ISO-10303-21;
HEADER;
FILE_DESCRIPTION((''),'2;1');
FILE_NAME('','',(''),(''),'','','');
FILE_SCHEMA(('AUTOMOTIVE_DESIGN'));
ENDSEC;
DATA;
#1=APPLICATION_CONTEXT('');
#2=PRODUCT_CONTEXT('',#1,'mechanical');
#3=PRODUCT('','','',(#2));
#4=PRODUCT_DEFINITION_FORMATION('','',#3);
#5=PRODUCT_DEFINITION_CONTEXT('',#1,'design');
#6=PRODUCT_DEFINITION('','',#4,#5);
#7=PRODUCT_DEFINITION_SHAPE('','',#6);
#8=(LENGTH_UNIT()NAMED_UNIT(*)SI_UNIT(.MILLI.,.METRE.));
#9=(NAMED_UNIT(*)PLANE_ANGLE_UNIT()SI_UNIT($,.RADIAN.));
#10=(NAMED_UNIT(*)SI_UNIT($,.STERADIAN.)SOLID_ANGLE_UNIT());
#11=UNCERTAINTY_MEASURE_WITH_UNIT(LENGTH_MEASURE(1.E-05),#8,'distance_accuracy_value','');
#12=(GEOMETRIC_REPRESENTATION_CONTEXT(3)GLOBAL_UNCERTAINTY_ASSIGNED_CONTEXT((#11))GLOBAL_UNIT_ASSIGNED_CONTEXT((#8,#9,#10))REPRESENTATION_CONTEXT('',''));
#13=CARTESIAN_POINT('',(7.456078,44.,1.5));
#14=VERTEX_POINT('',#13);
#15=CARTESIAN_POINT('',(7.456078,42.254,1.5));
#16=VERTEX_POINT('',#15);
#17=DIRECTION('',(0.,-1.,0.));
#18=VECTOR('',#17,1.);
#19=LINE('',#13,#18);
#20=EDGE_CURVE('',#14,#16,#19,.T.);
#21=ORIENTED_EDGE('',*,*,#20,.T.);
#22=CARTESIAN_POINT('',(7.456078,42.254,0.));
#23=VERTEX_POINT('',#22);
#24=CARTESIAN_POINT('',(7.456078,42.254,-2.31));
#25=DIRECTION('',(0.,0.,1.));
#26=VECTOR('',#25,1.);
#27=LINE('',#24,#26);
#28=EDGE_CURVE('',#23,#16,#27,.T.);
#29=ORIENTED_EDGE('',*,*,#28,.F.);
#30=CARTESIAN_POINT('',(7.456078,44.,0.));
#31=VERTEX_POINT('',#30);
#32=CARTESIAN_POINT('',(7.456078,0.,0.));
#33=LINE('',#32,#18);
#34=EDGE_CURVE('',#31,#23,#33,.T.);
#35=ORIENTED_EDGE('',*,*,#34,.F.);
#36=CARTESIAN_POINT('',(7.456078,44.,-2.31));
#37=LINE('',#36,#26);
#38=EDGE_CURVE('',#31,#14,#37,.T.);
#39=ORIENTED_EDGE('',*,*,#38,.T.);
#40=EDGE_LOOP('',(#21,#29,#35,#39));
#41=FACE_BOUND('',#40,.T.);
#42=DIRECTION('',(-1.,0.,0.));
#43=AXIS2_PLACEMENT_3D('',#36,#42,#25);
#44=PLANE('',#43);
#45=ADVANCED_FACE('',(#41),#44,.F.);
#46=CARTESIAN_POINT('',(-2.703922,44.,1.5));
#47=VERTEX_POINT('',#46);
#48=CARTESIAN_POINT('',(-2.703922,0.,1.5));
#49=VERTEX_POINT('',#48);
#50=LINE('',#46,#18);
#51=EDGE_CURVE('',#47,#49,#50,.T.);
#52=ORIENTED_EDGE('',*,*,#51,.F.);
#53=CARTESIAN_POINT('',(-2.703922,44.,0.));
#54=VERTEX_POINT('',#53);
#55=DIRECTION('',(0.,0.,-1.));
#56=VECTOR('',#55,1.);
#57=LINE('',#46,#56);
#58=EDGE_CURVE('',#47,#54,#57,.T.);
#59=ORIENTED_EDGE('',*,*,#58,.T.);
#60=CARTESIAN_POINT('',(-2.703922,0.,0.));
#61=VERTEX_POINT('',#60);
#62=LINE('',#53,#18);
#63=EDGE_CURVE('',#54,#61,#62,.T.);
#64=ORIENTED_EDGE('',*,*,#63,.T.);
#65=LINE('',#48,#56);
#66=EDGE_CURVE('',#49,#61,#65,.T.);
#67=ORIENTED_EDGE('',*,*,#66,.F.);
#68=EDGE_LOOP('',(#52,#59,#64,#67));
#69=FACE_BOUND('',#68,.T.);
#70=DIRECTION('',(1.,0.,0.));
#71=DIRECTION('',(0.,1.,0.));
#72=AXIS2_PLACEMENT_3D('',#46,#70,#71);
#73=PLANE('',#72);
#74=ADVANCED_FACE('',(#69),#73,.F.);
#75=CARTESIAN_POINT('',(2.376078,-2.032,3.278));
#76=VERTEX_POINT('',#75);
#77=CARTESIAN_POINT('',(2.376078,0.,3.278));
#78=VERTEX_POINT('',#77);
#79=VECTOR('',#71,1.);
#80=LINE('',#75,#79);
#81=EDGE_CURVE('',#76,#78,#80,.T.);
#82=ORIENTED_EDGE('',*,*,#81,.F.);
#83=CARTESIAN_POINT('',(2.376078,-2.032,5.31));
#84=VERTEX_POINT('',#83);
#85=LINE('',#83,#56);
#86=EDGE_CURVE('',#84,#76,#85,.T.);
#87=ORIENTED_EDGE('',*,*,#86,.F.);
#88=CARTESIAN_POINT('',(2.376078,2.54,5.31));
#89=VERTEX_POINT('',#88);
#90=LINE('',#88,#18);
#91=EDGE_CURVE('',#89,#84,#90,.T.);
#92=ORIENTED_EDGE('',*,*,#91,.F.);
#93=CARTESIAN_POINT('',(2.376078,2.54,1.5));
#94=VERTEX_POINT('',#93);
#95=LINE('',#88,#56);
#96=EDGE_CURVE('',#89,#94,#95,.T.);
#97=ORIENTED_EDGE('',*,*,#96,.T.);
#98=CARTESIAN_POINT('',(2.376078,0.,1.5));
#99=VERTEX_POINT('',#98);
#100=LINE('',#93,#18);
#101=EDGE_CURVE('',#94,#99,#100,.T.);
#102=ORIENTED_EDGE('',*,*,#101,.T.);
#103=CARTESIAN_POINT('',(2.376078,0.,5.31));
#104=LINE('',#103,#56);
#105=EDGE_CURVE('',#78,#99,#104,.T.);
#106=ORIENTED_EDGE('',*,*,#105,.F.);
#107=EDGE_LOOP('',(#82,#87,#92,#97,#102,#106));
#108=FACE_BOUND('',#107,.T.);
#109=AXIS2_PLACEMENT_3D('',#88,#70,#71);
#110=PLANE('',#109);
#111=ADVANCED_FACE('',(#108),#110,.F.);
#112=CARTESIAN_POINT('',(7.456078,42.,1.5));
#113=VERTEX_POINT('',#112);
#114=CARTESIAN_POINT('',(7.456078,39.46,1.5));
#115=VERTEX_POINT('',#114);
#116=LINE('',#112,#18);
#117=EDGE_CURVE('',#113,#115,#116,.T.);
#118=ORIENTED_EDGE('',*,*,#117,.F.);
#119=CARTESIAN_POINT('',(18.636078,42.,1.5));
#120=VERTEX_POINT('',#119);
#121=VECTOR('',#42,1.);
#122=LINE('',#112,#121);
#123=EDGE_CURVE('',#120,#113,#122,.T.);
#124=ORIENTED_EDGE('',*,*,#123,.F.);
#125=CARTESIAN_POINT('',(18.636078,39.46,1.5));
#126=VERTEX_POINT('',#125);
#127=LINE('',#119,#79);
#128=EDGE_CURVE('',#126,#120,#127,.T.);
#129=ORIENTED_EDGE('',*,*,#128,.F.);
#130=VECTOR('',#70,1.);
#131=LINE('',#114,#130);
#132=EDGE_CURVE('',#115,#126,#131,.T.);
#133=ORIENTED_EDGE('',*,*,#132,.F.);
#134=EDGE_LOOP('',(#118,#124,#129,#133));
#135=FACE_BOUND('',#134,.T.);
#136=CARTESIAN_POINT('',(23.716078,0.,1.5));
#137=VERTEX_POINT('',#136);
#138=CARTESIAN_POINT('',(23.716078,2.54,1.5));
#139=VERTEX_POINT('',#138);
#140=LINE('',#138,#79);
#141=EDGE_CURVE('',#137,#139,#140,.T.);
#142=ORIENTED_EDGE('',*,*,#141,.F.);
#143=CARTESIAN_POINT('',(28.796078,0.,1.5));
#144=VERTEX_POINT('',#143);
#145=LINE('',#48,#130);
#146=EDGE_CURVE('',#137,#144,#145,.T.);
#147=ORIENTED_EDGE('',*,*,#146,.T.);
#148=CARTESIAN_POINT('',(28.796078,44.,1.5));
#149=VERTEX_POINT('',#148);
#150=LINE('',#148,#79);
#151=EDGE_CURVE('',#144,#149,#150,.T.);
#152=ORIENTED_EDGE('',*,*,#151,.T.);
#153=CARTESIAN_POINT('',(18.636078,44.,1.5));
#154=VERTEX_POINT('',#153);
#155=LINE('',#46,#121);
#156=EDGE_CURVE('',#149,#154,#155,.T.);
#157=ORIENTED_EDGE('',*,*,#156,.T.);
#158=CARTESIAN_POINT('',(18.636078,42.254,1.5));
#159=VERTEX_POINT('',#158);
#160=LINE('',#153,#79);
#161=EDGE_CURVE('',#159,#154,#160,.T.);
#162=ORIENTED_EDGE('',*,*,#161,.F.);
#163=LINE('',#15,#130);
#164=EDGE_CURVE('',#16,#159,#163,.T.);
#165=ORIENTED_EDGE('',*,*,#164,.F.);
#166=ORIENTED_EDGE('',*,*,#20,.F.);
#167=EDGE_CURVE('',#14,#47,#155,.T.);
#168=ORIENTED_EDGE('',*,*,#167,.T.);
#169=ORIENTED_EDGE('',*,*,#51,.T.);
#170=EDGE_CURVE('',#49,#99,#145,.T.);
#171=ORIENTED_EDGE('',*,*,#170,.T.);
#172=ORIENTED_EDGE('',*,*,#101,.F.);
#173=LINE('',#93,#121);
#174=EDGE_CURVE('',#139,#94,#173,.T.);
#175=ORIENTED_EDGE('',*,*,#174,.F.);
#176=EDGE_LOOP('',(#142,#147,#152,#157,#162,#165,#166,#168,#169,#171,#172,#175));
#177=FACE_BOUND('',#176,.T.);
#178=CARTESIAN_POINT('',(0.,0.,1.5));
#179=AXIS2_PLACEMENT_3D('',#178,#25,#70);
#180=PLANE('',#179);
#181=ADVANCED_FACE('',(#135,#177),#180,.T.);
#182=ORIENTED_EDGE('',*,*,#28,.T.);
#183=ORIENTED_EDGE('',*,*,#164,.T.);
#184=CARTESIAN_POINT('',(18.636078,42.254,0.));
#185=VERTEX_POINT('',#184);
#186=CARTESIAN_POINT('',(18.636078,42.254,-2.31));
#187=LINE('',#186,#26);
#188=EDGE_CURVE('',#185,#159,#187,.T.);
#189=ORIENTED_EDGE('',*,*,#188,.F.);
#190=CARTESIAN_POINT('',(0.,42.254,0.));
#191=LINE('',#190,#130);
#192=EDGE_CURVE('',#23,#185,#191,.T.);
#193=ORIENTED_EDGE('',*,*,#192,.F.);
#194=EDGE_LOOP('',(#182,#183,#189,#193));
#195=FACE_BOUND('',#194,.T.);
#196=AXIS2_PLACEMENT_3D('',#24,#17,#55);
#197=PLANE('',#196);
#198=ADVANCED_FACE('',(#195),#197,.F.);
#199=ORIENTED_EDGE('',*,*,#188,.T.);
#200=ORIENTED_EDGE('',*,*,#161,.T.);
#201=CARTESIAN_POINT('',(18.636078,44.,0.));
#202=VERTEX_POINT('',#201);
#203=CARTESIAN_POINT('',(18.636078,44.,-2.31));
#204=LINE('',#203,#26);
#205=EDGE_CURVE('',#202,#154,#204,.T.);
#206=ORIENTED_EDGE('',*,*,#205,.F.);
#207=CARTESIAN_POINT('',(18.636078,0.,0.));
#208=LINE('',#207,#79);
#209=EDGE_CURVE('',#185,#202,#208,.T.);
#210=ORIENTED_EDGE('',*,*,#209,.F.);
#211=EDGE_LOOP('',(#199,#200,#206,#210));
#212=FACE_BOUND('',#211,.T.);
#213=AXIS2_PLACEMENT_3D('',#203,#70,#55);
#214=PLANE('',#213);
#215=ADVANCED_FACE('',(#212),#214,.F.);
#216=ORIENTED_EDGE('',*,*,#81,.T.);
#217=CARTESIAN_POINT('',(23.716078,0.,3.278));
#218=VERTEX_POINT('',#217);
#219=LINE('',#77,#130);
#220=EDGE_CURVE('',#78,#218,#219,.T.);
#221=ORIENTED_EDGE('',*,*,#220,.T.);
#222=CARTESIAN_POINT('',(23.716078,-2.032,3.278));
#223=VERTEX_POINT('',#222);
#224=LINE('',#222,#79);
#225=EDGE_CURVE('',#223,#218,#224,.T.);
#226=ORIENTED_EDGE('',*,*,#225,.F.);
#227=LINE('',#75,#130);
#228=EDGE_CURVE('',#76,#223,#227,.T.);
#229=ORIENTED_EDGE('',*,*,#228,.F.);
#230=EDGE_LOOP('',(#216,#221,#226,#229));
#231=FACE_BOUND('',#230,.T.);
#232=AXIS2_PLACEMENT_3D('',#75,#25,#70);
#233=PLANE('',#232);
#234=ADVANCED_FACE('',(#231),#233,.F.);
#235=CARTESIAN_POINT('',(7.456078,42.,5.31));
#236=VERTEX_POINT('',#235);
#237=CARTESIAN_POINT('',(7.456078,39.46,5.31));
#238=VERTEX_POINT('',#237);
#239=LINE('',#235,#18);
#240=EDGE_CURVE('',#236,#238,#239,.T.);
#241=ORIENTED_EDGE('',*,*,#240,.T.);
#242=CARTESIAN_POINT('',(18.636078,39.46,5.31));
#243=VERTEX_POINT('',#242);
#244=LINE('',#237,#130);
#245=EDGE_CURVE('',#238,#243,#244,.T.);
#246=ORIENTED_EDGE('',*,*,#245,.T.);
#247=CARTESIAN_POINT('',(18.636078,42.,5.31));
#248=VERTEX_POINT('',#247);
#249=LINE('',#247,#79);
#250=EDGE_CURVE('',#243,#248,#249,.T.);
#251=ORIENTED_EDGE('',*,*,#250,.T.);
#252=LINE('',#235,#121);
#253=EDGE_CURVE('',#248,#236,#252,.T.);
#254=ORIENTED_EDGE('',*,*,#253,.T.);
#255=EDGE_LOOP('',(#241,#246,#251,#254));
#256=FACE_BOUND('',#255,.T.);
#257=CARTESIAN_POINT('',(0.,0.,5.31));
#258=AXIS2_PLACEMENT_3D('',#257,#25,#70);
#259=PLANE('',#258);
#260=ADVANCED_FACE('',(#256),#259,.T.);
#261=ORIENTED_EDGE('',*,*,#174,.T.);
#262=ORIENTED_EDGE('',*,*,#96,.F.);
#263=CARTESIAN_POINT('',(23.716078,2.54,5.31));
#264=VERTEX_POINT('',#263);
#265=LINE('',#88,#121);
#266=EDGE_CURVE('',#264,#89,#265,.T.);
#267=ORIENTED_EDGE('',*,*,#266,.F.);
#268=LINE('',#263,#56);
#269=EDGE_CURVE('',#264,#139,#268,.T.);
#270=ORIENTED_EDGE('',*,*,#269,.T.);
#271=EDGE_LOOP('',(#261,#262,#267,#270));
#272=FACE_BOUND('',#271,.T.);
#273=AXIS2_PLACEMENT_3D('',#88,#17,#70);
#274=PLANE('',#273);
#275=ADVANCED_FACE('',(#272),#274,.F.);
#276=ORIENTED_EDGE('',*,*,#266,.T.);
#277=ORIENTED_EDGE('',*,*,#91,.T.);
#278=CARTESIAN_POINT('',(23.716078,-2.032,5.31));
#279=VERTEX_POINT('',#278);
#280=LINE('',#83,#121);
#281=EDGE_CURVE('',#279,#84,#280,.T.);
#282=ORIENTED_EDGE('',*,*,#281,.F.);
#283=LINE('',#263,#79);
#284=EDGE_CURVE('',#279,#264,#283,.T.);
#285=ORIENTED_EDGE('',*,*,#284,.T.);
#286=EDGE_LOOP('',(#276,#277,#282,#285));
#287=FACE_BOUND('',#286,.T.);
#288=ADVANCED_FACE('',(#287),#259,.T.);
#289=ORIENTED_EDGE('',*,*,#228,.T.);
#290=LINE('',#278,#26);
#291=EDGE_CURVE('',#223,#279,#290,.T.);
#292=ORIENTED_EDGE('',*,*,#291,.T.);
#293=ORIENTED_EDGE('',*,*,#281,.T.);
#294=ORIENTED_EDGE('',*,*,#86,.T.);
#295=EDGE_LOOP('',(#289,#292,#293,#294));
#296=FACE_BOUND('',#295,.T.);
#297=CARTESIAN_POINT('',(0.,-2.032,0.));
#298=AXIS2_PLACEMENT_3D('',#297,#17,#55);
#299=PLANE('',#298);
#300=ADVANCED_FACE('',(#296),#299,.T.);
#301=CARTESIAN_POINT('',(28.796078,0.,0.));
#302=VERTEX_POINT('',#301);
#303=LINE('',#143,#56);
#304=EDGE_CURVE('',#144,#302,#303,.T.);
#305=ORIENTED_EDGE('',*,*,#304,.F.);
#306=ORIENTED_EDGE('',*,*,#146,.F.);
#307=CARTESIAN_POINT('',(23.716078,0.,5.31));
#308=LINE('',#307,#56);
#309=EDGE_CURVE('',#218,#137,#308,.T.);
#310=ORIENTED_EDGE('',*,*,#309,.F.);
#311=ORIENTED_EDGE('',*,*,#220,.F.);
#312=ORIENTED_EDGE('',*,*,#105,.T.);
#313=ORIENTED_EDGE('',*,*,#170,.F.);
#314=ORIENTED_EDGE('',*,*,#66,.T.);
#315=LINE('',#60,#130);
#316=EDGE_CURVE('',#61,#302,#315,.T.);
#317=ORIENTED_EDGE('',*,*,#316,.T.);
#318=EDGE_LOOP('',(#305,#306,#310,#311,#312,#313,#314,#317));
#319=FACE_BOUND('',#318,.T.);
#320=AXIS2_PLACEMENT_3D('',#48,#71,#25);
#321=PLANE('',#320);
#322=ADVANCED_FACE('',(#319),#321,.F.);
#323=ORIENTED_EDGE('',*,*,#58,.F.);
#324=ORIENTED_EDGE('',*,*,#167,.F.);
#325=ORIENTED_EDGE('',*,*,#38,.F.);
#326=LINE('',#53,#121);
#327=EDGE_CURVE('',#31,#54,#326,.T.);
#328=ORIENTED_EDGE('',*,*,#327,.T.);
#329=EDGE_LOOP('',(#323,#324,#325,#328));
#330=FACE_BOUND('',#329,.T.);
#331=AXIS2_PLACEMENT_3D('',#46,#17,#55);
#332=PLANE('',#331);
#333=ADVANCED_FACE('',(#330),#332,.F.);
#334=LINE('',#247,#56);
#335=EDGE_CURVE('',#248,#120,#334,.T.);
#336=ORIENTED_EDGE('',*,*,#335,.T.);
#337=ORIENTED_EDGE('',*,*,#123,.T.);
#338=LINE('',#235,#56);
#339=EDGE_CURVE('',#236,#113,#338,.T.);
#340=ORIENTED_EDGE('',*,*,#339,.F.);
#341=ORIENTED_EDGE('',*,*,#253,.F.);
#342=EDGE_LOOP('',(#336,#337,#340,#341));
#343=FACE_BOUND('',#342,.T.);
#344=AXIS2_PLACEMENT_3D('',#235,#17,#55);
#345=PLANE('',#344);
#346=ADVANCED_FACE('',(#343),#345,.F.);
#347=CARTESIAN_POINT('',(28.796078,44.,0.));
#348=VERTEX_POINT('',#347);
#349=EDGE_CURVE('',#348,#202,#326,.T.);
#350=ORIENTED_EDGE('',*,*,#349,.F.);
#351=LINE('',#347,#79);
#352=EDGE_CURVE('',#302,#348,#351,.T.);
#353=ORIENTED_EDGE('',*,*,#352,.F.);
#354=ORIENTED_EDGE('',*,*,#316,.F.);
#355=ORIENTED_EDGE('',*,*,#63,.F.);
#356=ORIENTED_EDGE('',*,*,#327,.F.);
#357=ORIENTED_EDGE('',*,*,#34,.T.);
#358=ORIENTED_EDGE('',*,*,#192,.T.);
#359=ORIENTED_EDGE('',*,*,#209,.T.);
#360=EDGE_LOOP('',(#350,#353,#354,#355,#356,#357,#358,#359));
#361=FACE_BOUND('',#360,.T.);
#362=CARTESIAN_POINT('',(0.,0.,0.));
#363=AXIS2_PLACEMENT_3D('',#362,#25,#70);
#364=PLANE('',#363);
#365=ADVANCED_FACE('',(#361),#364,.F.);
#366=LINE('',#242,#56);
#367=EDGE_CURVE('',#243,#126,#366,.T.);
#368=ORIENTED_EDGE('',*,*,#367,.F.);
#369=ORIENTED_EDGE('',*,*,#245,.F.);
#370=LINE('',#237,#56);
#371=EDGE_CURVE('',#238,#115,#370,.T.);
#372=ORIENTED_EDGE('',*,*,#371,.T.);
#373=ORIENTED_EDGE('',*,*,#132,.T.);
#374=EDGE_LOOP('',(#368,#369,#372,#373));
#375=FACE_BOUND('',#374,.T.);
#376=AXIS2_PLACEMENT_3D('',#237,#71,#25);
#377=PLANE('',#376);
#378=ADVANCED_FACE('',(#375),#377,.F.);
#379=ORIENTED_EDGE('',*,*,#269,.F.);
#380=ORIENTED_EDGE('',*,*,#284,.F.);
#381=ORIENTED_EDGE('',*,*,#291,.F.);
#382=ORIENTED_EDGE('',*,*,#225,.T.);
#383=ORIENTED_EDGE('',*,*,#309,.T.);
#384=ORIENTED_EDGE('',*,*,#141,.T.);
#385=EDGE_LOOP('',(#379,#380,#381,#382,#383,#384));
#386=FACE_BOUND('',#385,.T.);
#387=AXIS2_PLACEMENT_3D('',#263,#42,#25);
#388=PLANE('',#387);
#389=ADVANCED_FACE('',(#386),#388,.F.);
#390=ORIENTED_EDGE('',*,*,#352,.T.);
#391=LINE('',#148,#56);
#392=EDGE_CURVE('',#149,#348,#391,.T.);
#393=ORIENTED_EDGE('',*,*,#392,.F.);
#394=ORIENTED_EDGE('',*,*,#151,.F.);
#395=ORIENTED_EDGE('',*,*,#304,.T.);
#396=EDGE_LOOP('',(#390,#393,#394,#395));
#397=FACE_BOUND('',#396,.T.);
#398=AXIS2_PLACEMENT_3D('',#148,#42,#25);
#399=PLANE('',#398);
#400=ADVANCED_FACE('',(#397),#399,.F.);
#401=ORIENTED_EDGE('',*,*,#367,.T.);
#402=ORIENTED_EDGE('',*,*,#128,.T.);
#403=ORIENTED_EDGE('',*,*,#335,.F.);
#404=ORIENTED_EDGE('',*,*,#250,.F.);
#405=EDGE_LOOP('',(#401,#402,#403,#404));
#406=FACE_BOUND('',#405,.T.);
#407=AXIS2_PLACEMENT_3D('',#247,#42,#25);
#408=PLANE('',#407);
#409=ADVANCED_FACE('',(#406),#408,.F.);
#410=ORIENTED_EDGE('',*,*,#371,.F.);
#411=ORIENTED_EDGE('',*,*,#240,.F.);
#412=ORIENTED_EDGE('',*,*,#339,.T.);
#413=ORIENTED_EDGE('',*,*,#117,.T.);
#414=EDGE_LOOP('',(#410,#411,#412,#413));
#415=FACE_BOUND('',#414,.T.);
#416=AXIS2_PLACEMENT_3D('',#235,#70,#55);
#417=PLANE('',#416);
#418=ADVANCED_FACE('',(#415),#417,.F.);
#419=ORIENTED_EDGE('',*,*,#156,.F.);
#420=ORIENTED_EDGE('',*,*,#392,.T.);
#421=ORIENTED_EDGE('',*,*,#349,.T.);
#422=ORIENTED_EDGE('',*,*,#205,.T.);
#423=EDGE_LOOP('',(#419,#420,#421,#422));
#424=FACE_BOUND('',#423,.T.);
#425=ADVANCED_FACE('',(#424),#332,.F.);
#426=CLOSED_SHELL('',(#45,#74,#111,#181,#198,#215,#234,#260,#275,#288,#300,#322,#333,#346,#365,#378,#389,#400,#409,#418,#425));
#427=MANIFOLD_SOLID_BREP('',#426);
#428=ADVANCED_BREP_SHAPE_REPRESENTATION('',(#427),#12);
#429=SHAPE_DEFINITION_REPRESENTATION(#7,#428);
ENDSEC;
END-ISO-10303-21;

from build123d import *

# Parameters (mm, degrees)
SKETCH1_W           = 31.5
SKETCH1_H           = 44
BOSS_EXTRUDE1_DEPTH = 1.5
SKETCH2_W           = 11.18
SKETCH2_H           = 2.54
BOSS_EXTRUDE2_DEPTH = 3.81
SKETCH4_W           = 11.18
SKETCH4_H           = 1.746
CUT_EXTRUDE1_DEPTH  = 3.81
SKETCH5_W           = 21.34
SKETCH5_H           = 2.54
BOSS_EXTRUDE3_DEPTH = 3.81
SKETCH8_W           = 21.34
SKETCH8_H           = 2.032
BOSS_EXTRUDE4_DEPTH = 2.032


with BuildPart() as part:
    # Sketch1 → Boss-Extrude1 (new body)
    with BuildSketch(Plane.XY):
        with Locations((13.046077502, 22)):
            Rectangle(SKETCH1_W, SKETCH1_H)
    extrude(amount=BOSS_EXTRUDE1_DEPTH)

    # Sketch2 → Boss-Extrude2 (add)
    with BuildSketch(Plane.XY.offset(1.5)):
        with Locations((13.046077502, 40.73)):
            Rectangle(SKETCH2_W, SKETCH2_H)
    extrude(amount=BOSS_EXTRUDE2_DEPTH)

    # Sketch4 → Cut-Extrude1 (cut)
    with BuildSketch(Plane.XY.offset(1.5)):
        with Locations((13.046077502, 43.127)):
            Rectangle(SKETCH4_W, SKETCH4_H)
    extrude(amount=-CUT_EXTRUDE1_DEPTH, mode=Mode.SUBTRACT)

    # Sketch5 → Boss-Extrude3 (add)
    with BuildSketch(Plane.XY.offset(1.5)):
        with Locations((13.046077502, 1.27)):
            Rectangle(SKETCH5_W, SKETCH5_H)
    extrude(amount=BOSS_EXTRUDE3_DEPTH)

    # Sketch8 → Boss-Extrude4 (add)
    with BuildSketch(Plane(origin=(0, 0, 0), x_dir=(-1, 0, 0), z_dir=(0, -1, 0))):
        with Locations((-13.046077502, -4.294)):
            Rectangle(SKETCH8_W, SKETCH8_H)
    extrude(amount=BOSS_EXTRUDE4_DEPTH)


solid = part.part
